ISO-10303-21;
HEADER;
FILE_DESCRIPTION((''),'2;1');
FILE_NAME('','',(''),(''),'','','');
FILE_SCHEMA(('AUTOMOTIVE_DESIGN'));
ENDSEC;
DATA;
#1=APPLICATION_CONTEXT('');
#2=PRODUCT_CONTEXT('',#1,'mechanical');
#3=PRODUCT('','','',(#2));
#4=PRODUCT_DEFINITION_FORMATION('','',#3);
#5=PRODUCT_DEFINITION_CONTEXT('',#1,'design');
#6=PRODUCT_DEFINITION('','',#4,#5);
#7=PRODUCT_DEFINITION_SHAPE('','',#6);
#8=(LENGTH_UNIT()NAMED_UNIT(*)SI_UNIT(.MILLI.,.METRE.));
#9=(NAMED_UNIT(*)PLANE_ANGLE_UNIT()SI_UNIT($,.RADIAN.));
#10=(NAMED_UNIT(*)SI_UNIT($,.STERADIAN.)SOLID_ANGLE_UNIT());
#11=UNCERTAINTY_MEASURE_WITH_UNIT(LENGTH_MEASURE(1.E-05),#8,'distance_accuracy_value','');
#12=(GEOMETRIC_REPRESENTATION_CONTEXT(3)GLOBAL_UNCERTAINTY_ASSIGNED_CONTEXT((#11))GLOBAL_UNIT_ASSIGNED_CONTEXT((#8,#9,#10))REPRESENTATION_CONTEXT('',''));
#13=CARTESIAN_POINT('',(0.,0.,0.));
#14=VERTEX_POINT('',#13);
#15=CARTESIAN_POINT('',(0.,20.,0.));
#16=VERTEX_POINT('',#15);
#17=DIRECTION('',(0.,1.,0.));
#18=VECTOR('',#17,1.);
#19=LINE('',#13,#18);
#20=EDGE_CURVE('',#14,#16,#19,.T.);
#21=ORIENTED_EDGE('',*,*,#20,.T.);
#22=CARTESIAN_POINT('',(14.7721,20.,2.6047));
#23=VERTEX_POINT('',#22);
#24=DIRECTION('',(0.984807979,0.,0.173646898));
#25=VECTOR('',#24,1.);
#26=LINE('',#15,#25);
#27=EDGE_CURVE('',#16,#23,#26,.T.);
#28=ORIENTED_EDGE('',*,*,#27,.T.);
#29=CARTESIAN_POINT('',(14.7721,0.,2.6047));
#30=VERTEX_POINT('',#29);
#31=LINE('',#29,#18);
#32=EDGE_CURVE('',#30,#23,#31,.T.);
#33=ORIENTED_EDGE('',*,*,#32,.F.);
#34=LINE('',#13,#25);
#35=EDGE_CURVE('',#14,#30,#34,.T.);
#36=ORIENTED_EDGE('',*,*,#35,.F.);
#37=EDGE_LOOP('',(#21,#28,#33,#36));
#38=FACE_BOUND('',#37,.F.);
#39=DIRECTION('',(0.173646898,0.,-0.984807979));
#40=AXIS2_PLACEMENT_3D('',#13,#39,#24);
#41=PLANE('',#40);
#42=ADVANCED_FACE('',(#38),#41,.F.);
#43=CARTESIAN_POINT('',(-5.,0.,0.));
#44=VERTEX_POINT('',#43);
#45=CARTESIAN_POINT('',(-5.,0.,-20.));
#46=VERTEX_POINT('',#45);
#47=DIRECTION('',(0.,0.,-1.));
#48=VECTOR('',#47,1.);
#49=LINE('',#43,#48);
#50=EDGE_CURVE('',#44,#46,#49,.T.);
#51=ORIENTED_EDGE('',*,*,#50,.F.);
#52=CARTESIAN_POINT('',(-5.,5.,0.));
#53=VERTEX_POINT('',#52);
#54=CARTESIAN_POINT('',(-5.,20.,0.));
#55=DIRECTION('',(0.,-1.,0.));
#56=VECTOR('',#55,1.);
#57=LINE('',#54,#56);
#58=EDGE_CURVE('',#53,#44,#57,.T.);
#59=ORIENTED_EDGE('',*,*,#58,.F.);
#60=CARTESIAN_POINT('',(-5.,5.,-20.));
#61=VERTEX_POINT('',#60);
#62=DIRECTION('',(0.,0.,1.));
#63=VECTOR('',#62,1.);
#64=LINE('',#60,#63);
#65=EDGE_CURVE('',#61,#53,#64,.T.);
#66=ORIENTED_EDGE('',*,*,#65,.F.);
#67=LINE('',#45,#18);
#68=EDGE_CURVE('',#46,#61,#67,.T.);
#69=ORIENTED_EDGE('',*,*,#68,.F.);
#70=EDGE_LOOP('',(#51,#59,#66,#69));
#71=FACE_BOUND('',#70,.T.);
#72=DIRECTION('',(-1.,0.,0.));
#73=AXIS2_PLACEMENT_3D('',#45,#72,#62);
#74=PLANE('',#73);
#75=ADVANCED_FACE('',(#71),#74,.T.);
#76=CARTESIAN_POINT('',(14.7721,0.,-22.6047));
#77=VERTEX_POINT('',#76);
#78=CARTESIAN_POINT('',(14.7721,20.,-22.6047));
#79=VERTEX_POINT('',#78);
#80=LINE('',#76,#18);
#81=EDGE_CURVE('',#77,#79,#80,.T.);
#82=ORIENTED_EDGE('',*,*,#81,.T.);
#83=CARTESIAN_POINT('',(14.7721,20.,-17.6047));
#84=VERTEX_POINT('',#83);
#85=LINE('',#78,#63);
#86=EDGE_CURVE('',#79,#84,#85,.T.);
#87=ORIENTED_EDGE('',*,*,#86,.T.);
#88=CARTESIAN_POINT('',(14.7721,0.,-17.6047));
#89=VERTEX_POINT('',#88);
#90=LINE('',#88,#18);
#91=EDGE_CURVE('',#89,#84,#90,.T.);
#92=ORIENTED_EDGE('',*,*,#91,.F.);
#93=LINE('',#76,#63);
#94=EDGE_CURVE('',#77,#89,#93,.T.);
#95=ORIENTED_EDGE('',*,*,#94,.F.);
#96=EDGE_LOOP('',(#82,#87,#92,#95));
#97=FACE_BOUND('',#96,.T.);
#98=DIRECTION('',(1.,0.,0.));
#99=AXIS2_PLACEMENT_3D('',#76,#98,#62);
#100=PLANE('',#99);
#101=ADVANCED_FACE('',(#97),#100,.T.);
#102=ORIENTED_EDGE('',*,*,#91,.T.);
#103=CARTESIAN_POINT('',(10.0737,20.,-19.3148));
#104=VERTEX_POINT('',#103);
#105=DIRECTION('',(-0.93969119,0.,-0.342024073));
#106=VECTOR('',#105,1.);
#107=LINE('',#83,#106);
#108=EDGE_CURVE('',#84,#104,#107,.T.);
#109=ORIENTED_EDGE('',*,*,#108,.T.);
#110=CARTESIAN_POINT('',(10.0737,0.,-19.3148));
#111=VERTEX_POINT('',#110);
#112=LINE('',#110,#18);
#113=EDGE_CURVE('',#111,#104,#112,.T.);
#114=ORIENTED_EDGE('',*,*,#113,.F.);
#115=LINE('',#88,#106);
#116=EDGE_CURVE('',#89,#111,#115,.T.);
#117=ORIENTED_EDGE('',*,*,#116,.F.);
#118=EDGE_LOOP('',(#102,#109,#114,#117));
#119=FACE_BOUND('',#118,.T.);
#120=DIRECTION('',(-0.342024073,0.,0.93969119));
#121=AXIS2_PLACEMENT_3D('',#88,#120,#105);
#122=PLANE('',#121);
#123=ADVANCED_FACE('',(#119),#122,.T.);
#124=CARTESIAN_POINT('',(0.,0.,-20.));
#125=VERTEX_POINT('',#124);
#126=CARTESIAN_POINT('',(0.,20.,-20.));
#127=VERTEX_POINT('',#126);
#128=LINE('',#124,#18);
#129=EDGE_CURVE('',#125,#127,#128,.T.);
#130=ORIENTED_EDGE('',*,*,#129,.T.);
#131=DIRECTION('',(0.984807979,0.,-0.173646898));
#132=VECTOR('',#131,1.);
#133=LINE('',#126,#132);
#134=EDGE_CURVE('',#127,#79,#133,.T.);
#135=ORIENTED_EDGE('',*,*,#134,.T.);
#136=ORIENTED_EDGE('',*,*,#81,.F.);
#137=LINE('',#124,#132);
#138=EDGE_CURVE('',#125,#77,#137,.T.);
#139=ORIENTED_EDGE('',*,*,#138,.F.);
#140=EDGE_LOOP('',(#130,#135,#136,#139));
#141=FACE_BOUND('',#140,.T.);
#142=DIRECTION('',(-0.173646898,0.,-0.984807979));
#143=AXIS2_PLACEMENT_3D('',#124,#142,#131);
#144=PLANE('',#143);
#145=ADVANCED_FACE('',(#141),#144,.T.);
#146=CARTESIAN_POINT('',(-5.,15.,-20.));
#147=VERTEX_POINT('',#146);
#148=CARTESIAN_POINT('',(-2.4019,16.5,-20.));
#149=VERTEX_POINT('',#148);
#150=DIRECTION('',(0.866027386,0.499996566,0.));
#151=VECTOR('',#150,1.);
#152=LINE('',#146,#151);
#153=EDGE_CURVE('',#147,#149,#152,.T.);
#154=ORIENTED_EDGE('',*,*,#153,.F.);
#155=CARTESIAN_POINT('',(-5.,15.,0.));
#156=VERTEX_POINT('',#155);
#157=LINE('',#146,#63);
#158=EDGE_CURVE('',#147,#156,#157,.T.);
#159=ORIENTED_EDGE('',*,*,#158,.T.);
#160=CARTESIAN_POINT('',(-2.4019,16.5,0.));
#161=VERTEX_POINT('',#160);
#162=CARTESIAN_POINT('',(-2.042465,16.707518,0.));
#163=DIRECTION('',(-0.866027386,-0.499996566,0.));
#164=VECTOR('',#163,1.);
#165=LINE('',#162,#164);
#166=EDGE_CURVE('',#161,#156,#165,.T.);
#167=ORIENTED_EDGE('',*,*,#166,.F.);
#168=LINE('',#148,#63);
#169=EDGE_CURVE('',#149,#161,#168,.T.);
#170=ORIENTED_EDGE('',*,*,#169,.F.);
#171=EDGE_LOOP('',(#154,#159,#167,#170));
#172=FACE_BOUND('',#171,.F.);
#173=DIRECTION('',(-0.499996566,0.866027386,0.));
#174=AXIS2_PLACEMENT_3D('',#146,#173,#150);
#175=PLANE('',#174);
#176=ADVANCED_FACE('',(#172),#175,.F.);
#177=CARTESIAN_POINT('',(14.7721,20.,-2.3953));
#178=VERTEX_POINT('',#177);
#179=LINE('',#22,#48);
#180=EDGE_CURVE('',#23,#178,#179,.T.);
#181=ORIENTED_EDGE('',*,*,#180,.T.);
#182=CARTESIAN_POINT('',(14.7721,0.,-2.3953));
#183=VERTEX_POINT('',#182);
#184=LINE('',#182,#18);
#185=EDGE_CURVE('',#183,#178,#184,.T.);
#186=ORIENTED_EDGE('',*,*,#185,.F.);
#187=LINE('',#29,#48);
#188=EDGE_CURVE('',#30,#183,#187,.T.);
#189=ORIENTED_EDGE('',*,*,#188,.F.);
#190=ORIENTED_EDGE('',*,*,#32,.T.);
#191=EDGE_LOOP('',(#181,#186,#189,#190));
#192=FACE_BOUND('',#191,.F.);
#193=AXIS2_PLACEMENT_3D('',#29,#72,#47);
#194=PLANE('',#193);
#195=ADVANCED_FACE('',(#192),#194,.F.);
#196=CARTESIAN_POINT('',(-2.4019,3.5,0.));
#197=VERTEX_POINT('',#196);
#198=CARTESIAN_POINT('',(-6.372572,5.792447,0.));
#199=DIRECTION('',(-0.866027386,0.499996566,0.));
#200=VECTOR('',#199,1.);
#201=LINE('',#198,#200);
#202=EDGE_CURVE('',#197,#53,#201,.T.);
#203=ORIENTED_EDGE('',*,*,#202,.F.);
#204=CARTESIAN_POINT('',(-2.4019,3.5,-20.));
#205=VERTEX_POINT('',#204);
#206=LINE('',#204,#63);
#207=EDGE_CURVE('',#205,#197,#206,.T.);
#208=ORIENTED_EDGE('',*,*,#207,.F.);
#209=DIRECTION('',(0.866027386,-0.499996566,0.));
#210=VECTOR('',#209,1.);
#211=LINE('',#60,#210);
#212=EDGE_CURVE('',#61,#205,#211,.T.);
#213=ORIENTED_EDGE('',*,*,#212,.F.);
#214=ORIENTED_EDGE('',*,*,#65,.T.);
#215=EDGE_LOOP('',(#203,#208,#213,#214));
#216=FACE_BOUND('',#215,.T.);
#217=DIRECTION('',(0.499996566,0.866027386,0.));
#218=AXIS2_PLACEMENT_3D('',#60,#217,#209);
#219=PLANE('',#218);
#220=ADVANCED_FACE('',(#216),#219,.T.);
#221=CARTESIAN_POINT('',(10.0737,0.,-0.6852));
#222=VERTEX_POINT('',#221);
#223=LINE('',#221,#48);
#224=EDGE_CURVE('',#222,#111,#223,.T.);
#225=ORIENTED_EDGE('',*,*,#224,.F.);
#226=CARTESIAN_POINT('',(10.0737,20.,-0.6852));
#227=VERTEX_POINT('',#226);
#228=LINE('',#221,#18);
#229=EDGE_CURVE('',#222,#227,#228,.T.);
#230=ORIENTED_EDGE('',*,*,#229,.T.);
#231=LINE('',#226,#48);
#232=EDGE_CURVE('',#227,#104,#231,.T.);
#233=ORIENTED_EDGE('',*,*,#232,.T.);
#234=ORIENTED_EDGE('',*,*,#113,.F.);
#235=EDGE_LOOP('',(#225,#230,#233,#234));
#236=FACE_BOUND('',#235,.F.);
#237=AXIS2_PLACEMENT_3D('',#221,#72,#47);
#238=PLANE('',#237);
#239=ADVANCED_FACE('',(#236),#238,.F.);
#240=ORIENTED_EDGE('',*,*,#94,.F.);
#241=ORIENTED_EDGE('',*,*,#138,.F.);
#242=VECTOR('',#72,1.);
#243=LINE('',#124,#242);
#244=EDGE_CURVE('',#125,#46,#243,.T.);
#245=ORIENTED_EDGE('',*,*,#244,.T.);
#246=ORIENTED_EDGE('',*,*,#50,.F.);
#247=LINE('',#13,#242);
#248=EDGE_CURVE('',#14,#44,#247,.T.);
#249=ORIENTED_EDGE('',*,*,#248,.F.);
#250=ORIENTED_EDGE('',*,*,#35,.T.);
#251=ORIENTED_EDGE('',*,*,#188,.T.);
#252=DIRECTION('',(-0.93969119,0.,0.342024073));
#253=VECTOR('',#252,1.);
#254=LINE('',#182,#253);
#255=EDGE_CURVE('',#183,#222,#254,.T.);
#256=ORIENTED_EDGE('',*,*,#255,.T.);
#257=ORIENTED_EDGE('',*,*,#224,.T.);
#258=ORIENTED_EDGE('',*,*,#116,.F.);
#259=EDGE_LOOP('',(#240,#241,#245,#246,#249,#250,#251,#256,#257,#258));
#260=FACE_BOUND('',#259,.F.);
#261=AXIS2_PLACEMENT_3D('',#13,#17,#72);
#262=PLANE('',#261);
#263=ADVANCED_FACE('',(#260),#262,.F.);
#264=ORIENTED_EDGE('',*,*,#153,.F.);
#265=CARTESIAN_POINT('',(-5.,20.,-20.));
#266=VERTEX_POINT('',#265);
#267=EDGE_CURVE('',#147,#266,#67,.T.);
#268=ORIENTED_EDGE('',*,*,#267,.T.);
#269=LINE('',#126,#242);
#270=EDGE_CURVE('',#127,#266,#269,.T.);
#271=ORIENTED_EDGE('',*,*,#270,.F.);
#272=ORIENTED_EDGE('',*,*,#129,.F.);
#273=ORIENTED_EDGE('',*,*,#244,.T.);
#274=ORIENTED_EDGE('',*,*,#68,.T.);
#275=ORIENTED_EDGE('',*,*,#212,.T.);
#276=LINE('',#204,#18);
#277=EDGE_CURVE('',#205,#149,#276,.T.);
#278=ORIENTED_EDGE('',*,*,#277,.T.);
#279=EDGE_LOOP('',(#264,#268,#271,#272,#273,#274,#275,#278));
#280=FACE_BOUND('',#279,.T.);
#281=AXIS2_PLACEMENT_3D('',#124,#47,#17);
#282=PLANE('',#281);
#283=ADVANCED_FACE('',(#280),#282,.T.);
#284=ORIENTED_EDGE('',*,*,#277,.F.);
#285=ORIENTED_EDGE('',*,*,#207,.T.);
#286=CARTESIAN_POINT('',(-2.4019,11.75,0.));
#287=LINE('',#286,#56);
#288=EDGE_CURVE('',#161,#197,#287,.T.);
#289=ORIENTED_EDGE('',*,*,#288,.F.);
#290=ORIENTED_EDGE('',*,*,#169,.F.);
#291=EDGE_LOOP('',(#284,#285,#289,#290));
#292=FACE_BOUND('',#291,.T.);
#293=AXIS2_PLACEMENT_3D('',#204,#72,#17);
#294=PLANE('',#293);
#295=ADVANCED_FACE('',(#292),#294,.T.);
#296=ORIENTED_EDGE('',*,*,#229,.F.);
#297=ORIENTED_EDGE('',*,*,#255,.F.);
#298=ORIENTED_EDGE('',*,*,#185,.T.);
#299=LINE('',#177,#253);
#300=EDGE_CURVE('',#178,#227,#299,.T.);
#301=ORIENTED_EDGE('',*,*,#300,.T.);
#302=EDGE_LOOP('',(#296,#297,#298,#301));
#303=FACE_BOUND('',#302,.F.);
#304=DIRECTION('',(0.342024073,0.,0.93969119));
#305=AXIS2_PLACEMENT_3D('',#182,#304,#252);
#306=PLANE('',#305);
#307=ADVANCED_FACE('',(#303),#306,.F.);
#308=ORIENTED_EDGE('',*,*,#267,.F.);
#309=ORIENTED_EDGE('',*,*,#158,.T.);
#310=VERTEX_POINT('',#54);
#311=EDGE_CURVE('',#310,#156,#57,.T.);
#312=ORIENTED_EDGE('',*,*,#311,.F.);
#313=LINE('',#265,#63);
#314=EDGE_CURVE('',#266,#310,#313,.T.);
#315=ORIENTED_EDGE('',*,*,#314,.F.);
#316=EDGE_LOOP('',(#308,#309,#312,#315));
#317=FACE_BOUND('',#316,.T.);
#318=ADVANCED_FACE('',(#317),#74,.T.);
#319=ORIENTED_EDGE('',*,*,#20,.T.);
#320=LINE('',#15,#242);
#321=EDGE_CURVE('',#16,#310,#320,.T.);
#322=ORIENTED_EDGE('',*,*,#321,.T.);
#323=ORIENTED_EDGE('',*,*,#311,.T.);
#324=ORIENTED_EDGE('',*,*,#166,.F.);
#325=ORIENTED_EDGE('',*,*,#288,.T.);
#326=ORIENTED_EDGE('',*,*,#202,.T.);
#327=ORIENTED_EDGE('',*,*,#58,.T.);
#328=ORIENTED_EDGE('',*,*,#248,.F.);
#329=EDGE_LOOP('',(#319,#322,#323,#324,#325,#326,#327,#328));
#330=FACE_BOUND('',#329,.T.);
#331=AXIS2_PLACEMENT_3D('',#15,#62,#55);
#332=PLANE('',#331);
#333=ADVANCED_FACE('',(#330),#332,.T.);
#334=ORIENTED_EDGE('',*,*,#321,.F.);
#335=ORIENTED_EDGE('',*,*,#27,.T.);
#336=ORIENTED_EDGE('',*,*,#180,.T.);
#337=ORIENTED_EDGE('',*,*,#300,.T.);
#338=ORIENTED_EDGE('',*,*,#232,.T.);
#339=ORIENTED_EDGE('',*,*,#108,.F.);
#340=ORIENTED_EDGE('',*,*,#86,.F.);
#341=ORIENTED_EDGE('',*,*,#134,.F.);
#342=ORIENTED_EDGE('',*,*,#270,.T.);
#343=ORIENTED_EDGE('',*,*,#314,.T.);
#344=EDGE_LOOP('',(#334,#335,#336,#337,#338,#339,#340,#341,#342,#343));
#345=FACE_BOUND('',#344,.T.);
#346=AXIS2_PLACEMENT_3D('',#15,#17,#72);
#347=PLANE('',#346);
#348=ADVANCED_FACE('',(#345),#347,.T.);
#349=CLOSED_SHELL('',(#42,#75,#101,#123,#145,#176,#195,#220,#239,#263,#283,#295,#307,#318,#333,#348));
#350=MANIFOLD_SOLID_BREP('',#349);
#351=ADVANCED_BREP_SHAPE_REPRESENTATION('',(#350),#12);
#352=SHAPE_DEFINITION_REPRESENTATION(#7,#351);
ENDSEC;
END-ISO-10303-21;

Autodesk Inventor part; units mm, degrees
ref_plane "YZ Plane" through (0, 0, 0) normal (1, 0, 0) x (0, 1, 0)
ref_plane "XZ Plane" through (0, 0, 0) normal (0, 1, 0) x (-1, 0, 0)
ref_plane "XY Plane" through (0, 0, 0) normal (0, 0, 1) x (1, 0, 0)
sketch "Sketch1" plane through (0, 0, 0) normal (0, 1, 0) x (-1, 0, 0)
  line L0 (0, 0) -> (0, -20)
  line L1 (0, -20) -> (-14.7721, -22.6047)
  line L2 (-14.7721, -22.6047) -> (-14.7721, -17.6047)
  line L3 (-14.7721, -17.6047) -> (-10.0737, -19.3148)
  line L4 (0, 0) -> (-14.7721, 2.6047)
  line L5 (-14.7721, 2.6047) -> (-14.7721, -2.3953)
  line L6 (-14.7721, -2.3953) -> (-10.0737, -0.6852)
  line L7 (-10.0737, -0.6852) -> (-10.0737, -19.3148)
  dimension "d0" = 20
  dimension "d1" = 15
  dimension "d2" = 100
  dimension "d3" = 5
  dimension "d4" = 5
  dimension "d5" = 70
  dimension "d6" = 15
  dimension "d7" = 5
  dimension "d8" = 5
extrude "Extrusion1" add sketch "Sketch1" along normal blind 20
sketch "Sketch2" plane through (0, 0, -20) normal (-1, 0, 0) x (0, 0, 1)
  line L0 (0, 0) -> (0, 20) projected
  line L1 (20, 0) -> (0, 0)
  line L2 (0, 0) -> (0, 20)
  line L3 (0, 20) -> (20, 20)
  line L4 (20, 20) -> (20, 0)
extrude "Extrusion2" add sketch "Sketch2" along normal blind 5
sketch "Sketch3" plane through (0, 0, -20) normal (0, 0, -1) x (-1, 0, 0)
  line L0 (5, 20) -> (5, 0) projected
  line L1 (5, 20) -> (5, 0)
  line L2 (5, 0) -> (5, 5)
  line L3 (5, 20) -> (5, 15)
  line L4 (5, 15) -> (2.4019, 16.5)
  line L5 (5, 15) -> (8, 15) construction
  line L6 (5, 5) -> (2.4019, 3.5)
  line L7 (2.4019, 3.5) -> (2.4019, 16.5)
  line L8 (5, 20) -> (-5, 20)
  line L9 (5, 15) -> (5, 5)
  point P0 (0, 0)
  point P1 (5, 5)
  dimension "d13" = 5
  dimension "d14" = 5
  dimension "d15" = 3
  dimension "d16" = 150
  dimension "d17" = 3
extrude "Extrusion3" cut sketch "Sketch3" against normal blind 50
equation "\"BendRadius\" = Thickness"
equation "\"BendReliefWidth\" = Thickness"
equation "\"BendReliefDepth\" = 0.5 * Thickness"
equation "\"CornerReliefSize\" = 4 * Thickness"
equation "\"MinimumRemnant\" = 2 * Thickness"
equation "\"TransitionRadius\" = BendRadius"
equation "\"JacobiRadiusSize\" = BendRadius"
equation "\"GapSize\" = Thickness"
equation "\"Thickness\" = 0.5"
properties part number "Part1x"
